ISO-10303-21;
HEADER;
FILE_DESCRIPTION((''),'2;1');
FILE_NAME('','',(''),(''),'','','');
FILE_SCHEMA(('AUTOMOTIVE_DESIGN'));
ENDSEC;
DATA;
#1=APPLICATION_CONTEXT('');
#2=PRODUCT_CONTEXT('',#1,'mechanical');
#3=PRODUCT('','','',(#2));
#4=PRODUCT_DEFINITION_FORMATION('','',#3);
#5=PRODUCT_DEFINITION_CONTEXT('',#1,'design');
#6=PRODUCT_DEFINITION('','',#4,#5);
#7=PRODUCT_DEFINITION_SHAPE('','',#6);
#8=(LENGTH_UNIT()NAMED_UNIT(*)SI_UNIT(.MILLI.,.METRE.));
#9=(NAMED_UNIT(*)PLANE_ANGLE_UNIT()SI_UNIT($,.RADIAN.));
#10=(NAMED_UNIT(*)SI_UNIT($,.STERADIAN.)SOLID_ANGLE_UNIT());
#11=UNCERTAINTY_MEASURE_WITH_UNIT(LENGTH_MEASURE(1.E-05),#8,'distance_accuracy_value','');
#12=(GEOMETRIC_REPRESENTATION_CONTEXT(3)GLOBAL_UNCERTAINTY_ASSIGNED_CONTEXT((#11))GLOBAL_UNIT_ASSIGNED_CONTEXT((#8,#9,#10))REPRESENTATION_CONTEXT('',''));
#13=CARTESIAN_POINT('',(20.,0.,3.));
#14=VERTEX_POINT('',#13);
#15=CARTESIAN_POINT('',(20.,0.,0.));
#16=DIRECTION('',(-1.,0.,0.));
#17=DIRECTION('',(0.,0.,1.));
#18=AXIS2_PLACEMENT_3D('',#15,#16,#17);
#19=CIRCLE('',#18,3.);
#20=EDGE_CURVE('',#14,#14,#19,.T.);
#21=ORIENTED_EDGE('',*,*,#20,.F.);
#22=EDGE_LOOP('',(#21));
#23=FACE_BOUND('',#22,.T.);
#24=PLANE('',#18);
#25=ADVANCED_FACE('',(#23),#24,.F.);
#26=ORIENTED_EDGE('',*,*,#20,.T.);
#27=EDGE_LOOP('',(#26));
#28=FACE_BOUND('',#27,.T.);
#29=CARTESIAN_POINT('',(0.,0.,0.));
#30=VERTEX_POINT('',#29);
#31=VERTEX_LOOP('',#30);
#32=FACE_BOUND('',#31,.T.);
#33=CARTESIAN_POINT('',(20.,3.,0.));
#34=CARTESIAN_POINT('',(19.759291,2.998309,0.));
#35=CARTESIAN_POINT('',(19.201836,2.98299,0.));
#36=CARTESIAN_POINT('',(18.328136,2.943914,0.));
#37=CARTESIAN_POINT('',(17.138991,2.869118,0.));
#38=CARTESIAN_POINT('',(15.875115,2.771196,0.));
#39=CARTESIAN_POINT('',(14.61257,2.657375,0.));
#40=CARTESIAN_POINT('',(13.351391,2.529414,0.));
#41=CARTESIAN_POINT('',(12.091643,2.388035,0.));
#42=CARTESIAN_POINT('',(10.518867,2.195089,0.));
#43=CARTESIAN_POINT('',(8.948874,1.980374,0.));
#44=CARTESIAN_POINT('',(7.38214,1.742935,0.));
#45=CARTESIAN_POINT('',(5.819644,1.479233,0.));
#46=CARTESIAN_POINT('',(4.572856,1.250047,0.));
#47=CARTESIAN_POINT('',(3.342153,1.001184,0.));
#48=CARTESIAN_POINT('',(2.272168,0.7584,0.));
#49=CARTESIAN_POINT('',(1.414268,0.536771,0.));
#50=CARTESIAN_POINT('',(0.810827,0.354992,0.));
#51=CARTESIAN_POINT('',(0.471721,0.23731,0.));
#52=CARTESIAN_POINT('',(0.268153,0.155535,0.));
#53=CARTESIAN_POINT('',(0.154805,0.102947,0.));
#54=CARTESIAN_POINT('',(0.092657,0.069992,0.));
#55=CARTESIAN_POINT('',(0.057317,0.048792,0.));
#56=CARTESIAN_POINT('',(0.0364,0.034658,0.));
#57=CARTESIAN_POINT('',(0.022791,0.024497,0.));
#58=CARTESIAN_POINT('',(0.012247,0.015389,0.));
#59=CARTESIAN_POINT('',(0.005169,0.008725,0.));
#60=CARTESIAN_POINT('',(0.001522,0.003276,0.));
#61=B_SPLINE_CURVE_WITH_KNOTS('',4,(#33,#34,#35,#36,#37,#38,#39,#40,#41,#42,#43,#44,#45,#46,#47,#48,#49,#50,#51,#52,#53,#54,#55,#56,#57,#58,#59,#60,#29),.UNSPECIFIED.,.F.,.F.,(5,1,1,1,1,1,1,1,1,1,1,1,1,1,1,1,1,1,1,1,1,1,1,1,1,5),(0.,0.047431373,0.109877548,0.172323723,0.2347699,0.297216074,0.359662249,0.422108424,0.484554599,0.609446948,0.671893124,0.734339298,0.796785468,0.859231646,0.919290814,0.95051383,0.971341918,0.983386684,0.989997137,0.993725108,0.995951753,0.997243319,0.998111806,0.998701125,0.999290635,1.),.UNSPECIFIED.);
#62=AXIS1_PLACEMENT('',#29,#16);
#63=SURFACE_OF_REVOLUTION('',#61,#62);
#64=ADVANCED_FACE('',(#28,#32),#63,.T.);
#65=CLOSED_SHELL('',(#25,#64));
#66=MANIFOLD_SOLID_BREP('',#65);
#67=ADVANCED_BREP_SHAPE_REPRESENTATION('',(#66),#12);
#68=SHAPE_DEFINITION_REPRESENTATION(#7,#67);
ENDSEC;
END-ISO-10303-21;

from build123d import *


with BuildPart() as part:
    # Sketch8 → Revolve8 (revolve)
    with BuildSketch(Plane.XY):
        with BuildLine():
            Line((0, 0), (20, 0))
            Line((20, 0), (20, 3))
            add(Edge.make_bspline(
                [(0, 0), (0.001521911, 0.003276425), (0.005169377, 0.008724741), (0.01224732, 0.015389267), (0.022790975, 0.024496849), (0.036400332, 0.034657724), (0.057316791, 0.048792256), (0.092657391, 0.069992115), (0.154805145, 0.102946824), (0.268152702, 0.15553451), (0.471720748, 0.237309671), (0.810826929, 0.354992151), (1.414267882, 0.536771085), (2.272167797, 0.758399734), (3.342153059, 1.001184112), (4.572855693, 1.250046782), (5.819644191, 1.479233172), (7.382140386, 1.742934527), (8.948874408, 1.980374241), (10.518866859, 2.195089323), (12.091643197, 2.388034948), (13.351390948, 2.529414324), (14.612570362, 2.657374986), (15.875115255, 2.771196297), (17.138990727, 2.869118068), (18.32813594, 2.943913568), (19.201836212, 2.982990218), (19.759290584, 2.998309412), (20, 3)],
                knots=[0, 0, 0, 0, 0, 0.000709365, 0.001298875, 0.001888194, 0.002756681, 0.004048247, 0.006274892, 0.010002863, 0.016613316, 0.028658082, 0.04948617, 0.080709186, 0.140768354, 0.203214532, 0.265660702, 0.328106876, 0.390553052, 0.515445401, 0.577891576, 0.640337751, 0.702783926, 0.7652301, 0.827676277, 0.890122452, 0.952568627, 1, 1, 1, 1, 1], degree=4))
        make_face()
    revolve(axis=Axis((0, 0, 0), (1, 0, 0)))


solid = part.part
